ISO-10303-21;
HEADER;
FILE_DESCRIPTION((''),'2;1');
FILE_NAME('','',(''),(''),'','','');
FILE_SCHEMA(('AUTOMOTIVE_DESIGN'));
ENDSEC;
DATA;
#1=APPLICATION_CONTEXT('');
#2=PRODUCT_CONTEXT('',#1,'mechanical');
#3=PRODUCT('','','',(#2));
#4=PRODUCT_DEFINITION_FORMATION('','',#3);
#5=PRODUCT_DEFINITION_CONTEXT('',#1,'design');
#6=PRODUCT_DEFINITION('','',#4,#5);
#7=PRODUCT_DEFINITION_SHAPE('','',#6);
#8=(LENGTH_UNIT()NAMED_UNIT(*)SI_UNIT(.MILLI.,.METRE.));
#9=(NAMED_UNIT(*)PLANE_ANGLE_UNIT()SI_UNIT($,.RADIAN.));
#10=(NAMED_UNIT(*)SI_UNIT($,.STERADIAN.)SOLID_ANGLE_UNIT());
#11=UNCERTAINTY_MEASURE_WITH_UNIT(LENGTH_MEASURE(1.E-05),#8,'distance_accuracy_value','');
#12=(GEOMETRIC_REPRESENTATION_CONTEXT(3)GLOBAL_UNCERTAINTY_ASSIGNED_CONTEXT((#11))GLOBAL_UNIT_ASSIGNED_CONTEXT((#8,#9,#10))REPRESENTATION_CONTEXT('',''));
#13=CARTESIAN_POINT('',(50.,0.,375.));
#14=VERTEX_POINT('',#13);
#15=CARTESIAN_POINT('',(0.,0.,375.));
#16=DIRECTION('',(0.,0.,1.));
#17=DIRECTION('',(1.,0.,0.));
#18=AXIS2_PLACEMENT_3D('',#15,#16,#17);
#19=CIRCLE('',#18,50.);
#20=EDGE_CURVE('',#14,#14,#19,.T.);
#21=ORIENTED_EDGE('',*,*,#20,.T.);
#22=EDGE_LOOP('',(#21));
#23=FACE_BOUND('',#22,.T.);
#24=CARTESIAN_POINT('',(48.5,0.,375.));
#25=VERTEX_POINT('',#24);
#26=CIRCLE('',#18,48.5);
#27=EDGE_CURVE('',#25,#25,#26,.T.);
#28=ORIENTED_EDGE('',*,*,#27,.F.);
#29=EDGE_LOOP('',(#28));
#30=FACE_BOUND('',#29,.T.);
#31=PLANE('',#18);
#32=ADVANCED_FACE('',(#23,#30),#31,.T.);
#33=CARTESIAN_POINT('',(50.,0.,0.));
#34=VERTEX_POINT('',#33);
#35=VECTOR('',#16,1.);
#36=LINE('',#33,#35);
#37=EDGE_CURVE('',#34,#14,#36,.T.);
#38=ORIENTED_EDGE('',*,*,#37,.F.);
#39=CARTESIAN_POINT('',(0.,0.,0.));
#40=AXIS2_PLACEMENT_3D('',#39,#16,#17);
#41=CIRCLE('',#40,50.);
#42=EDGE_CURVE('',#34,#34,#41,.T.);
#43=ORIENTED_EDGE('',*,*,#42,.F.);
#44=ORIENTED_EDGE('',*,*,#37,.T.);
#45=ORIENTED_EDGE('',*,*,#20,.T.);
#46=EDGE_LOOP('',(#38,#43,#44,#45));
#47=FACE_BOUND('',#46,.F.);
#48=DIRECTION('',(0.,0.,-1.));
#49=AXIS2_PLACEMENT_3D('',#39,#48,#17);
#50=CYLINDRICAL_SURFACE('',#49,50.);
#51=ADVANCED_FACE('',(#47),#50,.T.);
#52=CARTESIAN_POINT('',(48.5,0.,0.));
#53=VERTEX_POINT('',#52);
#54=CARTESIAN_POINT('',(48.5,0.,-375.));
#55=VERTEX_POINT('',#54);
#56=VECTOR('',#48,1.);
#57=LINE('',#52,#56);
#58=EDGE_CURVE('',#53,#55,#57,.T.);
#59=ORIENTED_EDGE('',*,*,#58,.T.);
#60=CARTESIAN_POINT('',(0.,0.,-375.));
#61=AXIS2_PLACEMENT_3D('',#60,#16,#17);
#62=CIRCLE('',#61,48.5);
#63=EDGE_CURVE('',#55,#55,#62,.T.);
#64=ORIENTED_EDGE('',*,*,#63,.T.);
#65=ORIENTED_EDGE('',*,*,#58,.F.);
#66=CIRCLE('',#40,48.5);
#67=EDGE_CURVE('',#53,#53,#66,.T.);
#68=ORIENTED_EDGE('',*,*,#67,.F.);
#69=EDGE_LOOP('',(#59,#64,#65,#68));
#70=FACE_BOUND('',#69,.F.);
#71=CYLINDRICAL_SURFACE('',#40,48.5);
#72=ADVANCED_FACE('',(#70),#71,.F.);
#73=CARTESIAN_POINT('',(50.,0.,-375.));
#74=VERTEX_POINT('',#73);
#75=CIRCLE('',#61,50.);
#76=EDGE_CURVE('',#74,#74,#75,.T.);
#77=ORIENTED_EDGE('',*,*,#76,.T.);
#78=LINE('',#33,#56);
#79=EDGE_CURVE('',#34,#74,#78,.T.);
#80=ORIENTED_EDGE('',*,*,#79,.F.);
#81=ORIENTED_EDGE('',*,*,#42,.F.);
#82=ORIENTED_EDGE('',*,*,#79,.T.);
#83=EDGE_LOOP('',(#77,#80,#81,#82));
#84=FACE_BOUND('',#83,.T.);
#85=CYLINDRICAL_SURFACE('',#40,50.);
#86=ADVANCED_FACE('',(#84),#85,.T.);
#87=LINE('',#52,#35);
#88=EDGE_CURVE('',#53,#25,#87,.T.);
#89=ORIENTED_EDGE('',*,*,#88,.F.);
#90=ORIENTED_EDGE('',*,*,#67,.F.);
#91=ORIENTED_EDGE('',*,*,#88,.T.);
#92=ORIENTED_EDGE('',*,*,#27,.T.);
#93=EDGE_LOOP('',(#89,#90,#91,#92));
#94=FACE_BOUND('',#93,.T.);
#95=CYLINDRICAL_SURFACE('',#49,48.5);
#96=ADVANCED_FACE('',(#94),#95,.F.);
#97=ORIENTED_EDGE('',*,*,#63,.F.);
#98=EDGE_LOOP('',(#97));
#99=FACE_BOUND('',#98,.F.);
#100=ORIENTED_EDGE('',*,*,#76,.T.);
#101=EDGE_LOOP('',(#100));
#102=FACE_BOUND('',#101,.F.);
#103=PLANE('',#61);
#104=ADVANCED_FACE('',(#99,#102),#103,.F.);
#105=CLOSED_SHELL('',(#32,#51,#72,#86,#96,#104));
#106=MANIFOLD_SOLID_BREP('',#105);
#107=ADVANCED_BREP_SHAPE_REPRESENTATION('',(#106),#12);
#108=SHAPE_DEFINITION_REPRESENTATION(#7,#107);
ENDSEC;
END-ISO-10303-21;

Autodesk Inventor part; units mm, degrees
sketch "Sketch1" plane through (0, 0, 0) normal (0, 0, 1) x (1, 0, 0)
  circle A0 centre (0, 0) radius 50
  circle A1 centre (0, 0) radius 48.5
  dimension "d0" = 100
  dimension "d1" = 97
extrude "Extrusion1" add sketch "Sketch1" along normal mid plane 750
properties part number "Tubo_0001"
